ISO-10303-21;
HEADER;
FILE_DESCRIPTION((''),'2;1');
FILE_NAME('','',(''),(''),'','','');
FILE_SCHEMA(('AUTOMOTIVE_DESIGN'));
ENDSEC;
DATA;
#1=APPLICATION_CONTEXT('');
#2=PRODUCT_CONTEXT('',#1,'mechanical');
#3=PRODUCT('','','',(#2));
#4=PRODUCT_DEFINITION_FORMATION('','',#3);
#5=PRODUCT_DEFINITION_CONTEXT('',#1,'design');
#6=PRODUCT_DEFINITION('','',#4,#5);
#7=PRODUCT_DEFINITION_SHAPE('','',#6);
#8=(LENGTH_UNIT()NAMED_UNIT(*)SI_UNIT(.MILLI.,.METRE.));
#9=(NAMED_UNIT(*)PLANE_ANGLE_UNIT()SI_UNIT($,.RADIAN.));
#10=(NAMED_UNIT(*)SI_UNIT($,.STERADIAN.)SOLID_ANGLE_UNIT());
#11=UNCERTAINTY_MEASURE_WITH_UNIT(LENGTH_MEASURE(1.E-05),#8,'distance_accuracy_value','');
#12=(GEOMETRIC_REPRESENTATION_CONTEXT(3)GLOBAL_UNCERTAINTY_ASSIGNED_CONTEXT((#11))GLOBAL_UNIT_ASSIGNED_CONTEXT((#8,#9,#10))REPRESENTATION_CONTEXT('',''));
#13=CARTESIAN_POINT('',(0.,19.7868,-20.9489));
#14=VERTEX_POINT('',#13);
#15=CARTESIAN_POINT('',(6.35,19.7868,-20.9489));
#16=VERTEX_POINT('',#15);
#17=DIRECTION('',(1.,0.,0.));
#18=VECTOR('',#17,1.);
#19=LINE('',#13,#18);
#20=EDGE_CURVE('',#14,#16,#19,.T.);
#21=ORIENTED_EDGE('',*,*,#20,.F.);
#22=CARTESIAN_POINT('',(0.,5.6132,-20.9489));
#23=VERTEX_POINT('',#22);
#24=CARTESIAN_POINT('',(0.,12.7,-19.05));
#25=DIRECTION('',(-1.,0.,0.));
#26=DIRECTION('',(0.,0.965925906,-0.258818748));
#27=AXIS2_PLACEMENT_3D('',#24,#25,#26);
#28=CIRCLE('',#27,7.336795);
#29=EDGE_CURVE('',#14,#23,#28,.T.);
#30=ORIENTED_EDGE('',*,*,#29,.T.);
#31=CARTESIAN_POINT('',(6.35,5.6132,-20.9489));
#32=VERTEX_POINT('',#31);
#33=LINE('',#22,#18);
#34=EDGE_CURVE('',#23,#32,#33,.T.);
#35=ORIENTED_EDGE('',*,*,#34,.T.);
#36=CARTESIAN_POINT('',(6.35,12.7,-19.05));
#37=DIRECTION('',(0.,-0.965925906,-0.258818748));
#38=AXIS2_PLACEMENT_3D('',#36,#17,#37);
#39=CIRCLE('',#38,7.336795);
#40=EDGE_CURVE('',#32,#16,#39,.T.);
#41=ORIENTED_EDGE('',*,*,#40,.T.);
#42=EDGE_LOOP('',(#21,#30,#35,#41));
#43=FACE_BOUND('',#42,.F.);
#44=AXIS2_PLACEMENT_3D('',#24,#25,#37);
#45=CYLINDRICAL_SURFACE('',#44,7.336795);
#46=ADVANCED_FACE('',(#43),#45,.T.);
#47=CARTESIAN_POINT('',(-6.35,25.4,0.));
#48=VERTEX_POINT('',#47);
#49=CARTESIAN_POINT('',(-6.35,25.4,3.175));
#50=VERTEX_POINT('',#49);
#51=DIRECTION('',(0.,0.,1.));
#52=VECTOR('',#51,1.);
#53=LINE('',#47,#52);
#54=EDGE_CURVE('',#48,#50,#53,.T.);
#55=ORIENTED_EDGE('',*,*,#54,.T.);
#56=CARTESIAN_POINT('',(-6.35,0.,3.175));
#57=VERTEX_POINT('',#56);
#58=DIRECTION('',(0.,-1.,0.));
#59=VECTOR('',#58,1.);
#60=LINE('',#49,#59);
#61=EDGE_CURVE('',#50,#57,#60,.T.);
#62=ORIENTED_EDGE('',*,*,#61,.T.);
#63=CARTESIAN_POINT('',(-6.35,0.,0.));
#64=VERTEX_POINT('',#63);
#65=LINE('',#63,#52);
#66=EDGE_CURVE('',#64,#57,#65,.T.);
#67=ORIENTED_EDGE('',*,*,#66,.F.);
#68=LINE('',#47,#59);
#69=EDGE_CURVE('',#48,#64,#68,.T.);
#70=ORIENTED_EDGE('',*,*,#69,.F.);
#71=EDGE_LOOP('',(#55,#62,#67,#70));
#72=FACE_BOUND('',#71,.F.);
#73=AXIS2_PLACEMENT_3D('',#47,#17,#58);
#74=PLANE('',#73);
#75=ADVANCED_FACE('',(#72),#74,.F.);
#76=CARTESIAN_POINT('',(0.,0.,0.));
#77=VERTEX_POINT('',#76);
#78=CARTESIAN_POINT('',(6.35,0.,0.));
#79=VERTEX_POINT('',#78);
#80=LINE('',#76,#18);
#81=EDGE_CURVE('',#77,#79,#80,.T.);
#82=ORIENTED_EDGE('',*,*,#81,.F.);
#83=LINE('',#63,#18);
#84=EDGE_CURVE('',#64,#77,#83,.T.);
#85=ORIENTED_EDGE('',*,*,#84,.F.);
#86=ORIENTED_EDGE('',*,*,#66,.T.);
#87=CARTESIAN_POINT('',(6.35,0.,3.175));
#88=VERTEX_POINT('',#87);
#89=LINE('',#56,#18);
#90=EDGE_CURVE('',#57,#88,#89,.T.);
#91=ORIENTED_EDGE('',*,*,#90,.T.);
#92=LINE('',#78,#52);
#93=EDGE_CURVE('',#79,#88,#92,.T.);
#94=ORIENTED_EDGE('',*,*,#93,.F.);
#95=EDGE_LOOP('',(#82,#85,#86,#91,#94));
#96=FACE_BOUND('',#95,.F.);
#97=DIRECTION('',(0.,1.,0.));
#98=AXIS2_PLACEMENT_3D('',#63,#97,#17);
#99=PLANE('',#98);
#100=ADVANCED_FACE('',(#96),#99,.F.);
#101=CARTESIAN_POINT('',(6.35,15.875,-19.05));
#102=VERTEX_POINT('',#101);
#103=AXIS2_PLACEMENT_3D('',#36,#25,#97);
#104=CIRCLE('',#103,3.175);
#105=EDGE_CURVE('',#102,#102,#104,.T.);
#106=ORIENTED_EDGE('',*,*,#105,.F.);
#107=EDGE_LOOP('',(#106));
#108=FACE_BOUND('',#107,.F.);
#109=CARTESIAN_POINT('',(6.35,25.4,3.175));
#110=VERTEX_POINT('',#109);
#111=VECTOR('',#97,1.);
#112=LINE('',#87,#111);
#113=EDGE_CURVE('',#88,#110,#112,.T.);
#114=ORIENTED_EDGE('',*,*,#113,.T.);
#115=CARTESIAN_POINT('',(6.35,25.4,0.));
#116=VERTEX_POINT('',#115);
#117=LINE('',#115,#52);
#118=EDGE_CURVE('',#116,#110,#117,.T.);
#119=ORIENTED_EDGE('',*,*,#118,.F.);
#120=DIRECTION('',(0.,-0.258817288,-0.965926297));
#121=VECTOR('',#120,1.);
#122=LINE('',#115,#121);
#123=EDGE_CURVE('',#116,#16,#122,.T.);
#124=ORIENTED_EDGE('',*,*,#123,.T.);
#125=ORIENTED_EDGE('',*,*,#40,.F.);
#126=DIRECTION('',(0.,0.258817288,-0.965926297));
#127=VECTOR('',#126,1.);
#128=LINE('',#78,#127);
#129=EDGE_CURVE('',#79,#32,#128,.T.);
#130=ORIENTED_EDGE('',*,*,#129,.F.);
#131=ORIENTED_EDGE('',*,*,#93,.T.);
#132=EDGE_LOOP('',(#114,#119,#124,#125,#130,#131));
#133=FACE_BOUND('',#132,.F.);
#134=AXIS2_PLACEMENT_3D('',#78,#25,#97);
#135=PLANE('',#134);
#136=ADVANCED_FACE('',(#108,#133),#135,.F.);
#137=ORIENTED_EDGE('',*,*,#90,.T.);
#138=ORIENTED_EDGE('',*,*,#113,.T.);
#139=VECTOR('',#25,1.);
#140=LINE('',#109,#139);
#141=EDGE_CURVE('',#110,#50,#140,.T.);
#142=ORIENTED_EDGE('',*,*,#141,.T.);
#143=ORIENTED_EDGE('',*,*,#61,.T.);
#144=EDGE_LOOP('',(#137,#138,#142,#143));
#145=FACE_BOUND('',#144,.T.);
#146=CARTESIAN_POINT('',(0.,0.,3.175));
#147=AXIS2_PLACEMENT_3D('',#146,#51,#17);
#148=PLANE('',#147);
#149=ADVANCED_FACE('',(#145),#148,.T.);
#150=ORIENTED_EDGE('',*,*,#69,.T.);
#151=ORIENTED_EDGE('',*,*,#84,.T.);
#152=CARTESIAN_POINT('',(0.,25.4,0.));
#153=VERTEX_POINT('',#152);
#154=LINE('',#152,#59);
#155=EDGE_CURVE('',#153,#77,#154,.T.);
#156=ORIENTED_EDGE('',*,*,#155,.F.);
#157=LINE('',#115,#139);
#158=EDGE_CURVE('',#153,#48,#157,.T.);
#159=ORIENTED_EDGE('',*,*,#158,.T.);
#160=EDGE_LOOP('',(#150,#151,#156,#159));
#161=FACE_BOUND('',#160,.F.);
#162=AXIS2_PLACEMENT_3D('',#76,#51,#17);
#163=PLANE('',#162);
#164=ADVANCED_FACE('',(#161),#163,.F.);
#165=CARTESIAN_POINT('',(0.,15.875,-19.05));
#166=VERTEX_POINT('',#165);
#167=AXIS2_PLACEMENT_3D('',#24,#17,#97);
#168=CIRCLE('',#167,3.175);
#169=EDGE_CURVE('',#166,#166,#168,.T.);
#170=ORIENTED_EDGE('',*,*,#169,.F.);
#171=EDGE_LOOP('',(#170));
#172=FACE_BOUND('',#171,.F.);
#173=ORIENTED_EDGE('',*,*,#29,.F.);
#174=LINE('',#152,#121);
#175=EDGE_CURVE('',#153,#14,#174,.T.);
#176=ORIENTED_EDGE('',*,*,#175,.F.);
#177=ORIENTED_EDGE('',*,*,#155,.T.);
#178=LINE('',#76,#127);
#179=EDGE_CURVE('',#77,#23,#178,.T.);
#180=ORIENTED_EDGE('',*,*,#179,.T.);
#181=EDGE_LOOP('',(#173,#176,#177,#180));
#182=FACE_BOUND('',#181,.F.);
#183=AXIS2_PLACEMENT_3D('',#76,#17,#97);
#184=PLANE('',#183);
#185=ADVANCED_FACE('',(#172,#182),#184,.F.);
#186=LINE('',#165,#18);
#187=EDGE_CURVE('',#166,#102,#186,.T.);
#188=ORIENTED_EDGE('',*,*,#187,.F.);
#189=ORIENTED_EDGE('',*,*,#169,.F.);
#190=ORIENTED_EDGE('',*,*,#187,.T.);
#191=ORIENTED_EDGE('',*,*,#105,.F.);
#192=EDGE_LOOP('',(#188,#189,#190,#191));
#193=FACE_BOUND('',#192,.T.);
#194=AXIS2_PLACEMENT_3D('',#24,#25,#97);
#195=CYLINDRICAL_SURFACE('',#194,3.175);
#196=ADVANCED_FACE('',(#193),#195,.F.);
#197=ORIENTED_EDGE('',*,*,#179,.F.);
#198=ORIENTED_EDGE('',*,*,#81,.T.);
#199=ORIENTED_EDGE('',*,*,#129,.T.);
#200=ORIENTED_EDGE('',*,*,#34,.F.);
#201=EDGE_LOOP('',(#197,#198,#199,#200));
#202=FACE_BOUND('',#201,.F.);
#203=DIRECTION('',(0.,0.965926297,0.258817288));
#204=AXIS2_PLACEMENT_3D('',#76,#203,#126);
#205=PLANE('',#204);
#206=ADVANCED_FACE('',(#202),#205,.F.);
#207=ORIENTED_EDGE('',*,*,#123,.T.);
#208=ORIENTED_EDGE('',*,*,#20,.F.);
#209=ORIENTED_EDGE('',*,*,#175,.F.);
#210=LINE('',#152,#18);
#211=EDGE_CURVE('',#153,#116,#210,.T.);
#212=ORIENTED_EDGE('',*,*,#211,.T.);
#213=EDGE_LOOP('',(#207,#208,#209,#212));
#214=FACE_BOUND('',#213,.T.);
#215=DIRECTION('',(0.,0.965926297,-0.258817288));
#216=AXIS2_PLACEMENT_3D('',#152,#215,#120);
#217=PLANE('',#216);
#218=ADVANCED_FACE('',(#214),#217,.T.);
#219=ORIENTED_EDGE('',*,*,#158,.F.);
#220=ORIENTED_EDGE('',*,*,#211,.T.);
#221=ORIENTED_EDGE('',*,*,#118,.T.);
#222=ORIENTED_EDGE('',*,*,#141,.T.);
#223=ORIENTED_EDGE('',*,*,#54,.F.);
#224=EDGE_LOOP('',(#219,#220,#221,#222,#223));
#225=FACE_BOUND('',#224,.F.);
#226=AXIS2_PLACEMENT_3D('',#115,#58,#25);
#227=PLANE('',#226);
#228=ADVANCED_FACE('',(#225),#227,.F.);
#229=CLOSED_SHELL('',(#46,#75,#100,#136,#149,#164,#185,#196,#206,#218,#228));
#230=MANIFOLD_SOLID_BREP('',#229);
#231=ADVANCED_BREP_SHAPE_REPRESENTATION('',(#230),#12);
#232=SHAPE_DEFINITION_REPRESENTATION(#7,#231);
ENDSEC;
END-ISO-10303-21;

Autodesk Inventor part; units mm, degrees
ref_plane "YZ Plane" through (0, 0, 0) normal (1, 0, 0) x (0, 1, 0)
ref_plane "XZ Plane" through (0, 0, 0) normal (0, 1, 0) x (-1, 0, 0)
ref_plane "XY Plane" through (0, 0, 0) normal (0, 0, 1) x (1, 0, 0)
sketch "Sketch1" plane through (0, 0, 0) normal (1, 0, 0) x (0, 1, 0)
  line L0 (0, 0) -> (25.4, 0)
  line L1 (25.4, 0) -> (19.7868, -20.9489)
  line L2 (0, 0) -> (5.6132, -20.9489)
  line L3 (12.7, 0) -> (12.7, -162.0582)
  arc A0 (5.6132, -20.9489) -> (19.7868, -20.9489) centre (12.7, -19.05) ccw
  circle A1 centre (12.7, -19.05) radius 3.175
  dimension "d0" = 75
  dimension "d1" = 75
  dimension "d2" = 25.4
  dimension "d3" = 19.05
  dimension "d4" = 6.35
extrude "Extrusion1" add sketch "Sketch1" along normal blind 6.35 contours L0 L3 A1 A0 L2 | L0 L1 A0 L3 A1
sketch "Sketch2" plane through (0, 0, 0) normal (0, 0, 1) x (1, 0, 0)
  line L0 (6.35, 25.4) -> (-6.35, 25.4)
  line L1 (-6.35, 25.4) -> (-6.35, 0)
  line L2 (-6.35, 0) -> (6.35, 0)
  line L3 (6.35, 0) -> (6.35, 25.4)
  dimension "d7" = 12.7
extrude "Extrusion2" add sketch "Sketch2" along normal blind 3.175
equation "\"d1\" = d0"
properties part number "TabletMount-Base-Hinge"
